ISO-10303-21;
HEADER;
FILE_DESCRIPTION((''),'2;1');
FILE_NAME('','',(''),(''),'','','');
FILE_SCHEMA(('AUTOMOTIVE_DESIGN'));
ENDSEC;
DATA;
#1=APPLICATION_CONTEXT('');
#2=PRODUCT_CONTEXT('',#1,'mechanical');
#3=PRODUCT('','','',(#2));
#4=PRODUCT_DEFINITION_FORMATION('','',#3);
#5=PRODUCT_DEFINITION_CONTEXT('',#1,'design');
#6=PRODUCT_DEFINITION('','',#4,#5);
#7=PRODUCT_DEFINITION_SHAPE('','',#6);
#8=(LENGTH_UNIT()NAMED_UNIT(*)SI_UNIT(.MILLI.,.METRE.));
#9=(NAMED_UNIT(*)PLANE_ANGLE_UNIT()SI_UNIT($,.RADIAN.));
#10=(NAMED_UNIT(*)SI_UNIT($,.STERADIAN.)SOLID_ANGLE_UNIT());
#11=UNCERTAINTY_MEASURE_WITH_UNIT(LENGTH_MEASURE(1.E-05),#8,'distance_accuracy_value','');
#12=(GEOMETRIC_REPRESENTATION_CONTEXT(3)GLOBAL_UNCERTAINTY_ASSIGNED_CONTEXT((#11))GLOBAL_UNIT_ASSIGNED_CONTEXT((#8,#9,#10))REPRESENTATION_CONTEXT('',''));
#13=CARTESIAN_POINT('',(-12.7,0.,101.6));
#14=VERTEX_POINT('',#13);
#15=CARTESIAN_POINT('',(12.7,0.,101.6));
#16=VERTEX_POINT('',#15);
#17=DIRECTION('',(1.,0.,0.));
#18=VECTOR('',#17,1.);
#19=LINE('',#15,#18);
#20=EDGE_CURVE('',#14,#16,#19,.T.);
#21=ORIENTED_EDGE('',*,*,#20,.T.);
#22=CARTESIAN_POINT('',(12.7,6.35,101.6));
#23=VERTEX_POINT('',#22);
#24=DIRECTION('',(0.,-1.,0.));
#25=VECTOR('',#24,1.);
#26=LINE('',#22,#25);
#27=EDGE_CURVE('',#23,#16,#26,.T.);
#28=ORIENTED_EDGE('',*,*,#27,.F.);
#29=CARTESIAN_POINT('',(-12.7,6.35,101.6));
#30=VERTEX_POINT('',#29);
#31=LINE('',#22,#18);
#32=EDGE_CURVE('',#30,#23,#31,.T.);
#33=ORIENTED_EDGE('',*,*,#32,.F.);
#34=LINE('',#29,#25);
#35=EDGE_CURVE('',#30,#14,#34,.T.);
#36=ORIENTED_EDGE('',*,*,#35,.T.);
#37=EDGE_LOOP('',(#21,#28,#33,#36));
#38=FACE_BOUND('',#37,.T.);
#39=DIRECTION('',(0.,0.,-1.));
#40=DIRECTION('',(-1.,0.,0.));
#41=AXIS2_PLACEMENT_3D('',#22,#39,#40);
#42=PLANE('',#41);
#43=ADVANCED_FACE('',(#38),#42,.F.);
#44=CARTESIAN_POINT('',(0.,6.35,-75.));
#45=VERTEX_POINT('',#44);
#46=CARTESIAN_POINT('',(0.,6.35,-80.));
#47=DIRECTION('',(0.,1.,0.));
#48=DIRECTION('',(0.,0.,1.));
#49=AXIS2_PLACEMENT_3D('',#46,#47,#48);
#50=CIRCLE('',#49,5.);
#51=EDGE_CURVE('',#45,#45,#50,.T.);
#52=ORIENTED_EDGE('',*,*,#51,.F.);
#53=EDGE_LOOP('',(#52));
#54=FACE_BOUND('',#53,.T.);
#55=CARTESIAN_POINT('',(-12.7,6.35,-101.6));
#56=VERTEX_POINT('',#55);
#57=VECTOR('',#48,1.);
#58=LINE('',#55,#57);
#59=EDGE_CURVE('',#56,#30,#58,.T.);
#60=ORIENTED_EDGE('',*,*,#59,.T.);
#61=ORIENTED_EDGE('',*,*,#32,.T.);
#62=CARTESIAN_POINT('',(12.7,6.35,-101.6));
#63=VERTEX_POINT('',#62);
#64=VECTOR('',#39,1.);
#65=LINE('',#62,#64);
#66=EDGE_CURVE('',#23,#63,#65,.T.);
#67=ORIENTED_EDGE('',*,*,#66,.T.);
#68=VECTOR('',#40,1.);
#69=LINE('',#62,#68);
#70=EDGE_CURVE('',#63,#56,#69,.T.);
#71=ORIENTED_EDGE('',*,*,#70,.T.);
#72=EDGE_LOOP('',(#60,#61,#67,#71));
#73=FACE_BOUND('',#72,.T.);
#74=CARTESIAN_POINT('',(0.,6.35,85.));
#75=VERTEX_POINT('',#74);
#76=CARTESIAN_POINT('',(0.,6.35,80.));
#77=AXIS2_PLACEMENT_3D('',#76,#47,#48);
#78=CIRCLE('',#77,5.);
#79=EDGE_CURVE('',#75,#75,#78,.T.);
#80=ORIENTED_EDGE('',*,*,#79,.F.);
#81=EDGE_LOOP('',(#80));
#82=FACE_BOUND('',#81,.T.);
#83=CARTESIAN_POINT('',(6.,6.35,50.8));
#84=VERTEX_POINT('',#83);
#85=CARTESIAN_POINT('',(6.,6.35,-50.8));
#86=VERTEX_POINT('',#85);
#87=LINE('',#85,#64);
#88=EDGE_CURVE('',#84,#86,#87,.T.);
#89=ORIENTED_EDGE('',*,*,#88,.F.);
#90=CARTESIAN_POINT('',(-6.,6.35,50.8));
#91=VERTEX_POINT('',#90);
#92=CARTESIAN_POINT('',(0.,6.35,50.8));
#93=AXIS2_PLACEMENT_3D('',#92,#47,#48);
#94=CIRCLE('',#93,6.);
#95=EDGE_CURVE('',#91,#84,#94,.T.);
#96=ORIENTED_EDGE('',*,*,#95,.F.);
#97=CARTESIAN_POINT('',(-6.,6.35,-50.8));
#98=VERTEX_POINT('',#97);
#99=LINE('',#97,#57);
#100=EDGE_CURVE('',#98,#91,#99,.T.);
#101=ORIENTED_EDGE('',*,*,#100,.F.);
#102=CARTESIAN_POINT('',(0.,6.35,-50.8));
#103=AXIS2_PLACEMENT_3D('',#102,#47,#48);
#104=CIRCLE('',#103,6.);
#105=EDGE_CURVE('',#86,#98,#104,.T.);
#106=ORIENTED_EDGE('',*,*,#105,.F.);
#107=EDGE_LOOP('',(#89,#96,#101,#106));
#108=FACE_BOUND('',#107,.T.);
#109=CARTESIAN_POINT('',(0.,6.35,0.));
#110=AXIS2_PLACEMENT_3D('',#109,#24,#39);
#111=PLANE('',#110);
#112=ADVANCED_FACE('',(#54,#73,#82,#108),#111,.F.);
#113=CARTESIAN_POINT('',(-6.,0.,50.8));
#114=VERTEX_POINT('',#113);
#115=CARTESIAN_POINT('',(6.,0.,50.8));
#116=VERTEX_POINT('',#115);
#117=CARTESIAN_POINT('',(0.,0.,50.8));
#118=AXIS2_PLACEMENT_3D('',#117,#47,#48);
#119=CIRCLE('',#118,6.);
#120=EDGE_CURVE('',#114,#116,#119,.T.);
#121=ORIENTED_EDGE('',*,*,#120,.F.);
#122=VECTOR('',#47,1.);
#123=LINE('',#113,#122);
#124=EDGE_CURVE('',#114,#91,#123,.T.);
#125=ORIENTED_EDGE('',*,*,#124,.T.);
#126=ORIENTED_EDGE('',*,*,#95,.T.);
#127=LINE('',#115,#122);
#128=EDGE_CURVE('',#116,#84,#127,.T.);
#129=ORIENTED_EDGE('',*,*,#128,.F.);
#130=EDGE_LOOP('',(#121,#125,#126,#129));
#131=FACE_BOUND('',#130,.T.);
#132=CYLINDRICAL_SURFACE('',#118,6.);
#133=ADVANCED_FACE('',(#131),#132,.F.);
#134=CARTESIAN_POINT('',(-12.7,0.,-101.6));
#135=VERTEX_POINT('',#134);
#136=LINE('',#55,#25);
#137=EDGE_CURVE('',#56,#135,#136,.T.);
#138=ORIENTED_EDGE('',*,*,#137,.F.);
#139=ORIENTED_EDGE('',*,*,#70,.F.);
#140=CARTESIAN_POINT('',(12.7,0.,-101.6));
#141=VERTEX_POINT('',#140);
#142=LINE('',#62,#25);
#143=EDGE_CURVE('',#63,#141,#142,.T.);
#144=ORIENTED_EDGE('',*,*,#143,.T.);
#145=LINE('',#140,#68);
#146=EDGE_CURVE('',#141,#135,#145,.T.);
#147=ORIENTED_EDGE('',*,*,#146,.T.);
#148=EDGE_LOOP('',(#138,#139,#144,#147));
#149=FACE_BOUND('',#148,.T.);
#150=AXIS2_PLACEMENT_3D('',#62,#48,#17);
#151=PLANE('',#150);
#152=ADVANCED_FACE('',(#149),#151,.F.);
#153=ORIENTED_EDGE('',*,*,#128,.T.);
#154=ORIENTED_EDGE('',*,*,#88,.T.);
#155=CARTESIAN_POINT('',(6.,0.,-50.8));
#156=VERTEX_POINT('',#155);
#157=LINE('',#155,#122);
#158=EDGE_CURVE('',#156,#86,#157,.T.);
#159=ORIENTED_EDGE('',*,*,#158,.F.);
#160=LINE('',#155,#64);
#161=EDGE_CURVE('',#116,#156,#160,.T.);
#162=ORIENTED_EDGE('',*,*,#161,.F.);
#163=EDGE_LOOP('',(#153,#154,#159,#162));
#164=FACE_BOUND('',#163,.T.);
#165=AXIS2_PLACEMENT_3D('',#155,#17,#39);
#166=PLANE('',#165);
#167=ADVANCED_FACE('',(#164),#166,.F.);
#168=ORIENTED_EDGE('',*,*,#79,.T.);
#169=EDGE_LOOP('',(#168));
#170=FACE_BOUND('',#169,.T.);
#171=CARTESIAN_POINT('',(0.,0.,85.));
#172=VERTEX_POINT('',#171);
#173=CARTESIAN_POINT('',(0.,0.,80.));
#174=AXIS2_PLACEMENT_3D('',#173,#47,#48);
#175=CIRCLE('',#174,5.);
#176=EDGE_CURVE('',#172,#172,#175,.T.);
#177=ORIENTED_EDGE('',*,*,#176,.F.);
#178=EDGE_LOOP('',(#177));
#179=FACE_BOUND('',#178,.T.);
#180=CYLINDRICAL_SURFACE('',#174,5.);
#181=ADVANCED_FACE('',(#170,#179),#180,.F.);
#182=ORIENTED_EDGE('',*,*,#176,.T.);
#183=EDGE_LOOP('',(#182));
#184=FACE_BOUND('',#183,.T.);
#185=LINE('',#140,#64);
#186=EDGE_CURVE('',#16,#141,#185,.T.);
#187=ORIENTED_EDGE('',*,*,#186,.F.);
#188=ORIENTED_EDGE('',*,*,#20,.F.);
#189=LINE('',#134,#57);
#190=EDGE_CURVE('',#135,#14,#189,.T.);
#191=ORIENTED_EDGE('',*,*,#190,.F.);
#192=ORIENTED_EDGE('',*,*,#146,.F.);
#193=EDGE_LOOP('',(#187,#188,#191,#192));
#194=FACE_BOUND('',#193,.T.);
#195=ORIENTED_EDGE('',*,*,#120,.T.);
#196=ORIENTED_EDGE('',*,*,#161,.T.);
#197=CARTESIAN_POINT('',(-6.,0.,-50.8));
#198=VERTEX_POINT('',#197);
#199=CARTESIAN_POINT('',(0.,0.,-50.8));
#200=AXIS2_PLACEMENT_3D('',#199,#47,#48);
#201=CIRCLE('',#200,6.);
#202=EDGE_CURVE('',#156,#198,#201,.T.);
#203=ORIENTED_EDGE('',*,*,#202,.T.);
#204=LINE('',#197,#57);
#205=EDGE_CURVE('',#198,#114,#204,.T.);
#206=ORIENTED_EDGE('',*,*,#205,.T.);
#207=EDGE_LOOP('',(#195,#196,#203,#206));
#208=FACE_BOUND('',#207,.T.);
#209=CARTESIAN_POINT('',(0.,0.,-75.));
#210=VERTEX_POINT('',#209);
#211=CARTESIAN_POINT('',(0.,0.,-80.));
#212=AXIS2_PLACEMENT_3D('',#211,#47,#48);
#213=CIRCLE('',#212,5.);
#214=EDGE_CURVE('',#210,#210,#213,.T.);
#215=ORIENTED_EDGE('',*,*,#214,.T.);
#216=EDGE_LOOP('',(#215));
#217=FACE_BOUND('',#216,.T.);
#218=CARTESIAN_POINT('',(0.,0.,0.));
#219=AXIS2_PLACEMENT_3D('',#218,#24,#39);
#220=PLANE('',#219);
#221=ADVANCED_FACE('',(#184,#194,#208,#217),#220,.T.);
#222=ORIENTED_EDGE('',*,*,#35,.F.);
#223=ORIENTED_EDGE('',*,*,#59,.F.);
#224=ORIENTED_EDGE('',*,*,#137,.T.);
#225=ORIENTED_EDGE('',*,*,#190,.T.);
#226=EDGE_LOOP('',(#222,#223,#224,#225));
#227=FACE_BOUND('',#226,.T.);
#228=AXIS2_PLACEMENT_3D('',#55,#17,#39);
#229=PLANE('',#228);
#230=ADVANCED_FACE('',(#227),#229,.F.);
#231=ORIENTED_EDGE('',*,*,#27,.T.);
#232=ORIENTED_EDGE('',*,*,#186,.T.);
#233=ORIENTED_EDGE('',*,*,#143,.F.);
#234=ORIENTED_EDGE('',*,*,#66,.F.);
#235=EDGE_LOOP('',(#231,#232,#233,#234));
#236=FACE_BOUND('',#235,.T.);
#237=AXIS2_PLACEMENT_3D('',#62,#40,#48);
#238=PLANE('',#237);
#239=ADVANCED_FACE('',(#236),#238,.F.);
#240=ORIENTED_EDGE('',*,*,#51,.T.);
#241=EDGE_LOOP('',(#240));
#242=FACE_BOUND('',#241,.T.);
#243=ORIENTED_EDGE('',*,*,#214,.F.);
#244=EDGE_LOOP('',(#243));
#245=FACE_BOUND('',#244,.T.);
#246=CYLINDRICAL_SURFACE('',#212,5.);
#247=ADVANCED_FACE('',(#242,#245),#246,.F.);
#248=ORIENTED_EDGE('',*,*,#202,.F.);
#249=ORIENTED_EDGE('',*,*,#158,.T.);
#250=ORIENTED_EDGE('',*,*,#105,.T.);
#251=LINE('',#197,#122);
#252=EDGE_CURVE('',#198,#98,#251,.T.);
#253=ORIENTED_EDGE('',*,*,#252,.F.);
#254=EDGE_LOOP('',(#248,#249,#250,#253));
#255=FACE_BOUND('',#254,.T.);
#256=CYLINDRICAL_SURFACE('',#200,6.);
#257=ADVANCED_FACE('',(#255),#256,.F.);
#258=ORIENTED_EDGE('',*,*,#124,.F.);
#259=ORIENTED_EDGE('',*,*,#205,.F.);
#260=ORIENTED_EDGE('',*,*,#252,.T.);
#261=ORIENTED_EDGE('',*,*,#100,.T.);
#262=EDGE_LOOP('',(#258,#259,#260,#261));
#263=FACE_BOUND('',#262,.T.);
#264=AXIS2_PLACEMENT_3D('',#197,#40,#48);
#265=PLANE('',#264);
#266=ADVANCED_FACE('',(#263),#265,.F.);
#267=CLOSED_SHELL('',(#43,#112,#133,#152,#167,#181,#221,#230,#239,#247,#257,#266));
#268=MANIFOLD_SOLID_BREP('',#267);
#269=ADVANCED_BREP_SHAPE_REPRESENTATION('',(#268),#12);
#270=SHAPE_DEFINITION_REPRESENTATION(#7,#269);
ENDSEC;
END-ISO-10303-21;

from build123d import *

# Parameters (mm, degrees)
SKETCH1_W           = 25.4
SKETCH1_H           = 203.2
BOSS_EXTRUDE1_DEPTH = 6.35
SKETCH2_R           = 5
CUT_EXTRUDE1_DEPTH  = 103.587389576
CUT_EXTRUDE2_DEPTH  = 103.587389576


with BuildPart() as part:
    # Sketch1 → Boss-Extrude1 (new body)
    with BuildSketch(Plane(origin=(0, 0, 0), x_dir=(1, 0, 0), z_dir=(0, 1, 0))):
        Rectangle(SKETCH1_W, SKETCH1_H)
    extrude(amount=BOSS_EXTRUDE1_DEPTH)

    # Sketch2 → Cut-Extrude1 (cut, through all)
    with BuildSketch(Plane(origin=(0, 6.35, 0), x_dir=(1, 0, 0), z_dir=(0, 1, 0))):
        with Locations(Location((0, -80, 0), (0, 0, 270))):
            Circle(SKETCH2_R)
        with Locations(Location((0, 80, 0), (0, 0, 270))):
            Circle(SKETCH2_R)
    extrude(amount=-CUT_EXTRUDE1_DEPTH, mode=Mode.SUBTRACT)

    # Sketch3 → Cut-Extrude2 (cut, through all)
    with BuildSketch(Plane(origin=(0, 6.35, 0), x_dir=(1, 0, 0), z_dir=(0, 1, 0))):
        with BuildLine():
            Line((6, 50.8), (6, -50.8))
            ThreePointArc((6, -50.8), (0, -56.8), (-6, -50.8))
            Line((-6, -50.8), (-6, 50.8))
            ThreePointArc((-6, 50.8), (0, 56.8), (6, 50.8))
        make_face()
    extrude(amount=-CUT_EXTRUDE2_DEPTH, mode=Mode.SUBTRACT)


solid = part.part
